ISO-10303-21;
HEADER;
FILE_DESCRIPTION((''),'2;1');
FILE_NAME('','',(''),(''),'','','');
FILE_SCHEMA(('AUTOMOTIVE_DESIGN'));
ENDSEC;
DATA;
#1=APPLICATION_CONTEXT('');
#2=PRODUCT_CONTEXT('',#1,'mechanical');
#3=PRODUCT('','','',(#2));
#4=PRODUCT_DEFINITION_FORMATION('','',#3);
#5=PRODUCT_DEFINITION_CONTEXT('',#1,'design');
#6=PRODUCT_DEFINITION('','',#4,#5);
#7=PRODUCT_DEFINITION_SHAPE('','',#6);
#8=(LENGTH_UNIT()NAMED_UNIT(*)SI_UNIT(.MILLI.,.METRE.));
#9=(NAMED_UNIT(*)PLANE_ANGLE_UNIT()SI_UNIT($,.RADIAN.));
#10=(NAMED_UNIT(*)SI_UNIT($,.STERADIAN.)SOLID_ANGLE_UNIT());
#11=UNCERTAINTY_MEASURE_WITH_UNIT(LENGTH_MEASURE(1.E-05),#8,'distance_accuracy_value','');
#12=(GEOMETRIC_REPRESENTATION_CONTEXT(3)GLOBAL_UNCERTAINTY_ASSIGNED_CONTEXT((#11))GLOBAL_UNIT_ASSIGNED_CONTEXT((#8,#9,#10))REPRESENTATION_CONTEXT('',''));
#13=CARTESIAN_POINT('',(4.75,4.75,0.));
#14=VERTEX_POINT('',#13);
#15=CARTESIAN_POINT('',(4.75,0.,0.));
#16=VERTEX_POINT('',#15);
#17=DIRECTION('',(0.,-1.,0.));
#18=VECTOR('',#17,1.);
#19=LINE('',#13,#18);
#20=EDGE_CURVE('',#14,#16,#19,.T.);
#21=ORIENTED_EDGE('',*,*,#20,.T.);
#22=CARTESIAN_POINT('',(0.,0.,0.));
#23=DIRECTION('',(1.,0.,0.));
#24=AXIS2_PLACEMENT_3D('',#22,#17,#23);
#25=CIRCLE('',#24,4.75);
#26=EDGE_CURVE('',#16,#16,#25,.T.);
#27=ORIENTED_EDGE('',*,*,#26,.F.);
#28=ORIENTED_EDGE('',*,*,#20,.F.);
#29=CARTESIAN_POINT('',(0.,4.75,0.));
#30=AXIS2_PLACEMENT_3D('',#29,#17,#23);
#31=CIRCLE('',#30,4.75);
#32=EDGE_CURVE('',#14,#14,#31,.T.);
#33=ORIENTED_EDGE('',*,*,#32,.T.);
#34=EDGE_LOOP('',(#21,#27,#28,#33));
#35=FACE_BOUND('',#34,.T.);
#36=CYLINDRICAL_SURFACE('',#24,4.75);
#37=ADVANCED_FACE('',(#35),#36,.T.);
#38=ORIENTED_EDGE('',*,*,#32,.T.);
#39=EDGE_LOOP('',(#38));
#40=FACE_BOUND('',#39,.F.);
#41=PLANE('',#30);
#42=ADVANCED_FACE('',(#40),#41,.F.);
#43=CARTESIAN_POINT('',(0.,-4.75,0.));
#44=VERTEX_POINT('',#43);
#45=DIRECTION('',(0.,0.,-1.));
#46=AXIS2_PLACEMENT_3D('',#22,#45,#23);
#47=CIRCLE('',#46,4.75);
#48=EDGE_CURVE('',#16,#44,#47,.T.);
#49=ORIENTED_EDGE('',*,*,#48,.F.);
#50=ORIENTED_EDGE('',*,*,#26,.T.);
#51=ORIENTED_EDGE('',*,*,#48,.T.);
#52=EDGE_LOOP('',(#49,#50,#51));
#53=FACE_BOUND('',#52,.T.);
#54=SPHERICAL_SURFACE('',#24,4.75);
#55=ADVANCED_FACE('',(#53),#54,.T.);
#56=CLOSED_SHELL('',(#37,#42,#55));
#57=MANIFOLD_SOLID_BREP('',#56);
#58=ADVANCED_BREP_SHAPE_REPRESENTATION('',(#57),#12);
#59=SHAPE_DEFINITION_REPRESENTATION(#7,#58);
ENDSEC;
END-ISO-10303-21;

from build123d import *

# Parameters (mm, degrees)
F0_R     = 4.75
F1_DEPTH = 4.75
F2_R     = 4.75


with BuildPart() as f1:
    # F0 (on Front) → F1 (new body, symmetric)
    with BuildSketch(Plane.XZ):
        Circle(F0_R)
    extrude(amount=F1_DEPTH, both=True)

    # F2
    f2_edges = [f1.edges().sort_by_distance(p)[0] for p in [
        (-4.75, -4.75, 0),
    ]]
    fillet(f2_edges, radius=F2_R)


solid = f1.part
